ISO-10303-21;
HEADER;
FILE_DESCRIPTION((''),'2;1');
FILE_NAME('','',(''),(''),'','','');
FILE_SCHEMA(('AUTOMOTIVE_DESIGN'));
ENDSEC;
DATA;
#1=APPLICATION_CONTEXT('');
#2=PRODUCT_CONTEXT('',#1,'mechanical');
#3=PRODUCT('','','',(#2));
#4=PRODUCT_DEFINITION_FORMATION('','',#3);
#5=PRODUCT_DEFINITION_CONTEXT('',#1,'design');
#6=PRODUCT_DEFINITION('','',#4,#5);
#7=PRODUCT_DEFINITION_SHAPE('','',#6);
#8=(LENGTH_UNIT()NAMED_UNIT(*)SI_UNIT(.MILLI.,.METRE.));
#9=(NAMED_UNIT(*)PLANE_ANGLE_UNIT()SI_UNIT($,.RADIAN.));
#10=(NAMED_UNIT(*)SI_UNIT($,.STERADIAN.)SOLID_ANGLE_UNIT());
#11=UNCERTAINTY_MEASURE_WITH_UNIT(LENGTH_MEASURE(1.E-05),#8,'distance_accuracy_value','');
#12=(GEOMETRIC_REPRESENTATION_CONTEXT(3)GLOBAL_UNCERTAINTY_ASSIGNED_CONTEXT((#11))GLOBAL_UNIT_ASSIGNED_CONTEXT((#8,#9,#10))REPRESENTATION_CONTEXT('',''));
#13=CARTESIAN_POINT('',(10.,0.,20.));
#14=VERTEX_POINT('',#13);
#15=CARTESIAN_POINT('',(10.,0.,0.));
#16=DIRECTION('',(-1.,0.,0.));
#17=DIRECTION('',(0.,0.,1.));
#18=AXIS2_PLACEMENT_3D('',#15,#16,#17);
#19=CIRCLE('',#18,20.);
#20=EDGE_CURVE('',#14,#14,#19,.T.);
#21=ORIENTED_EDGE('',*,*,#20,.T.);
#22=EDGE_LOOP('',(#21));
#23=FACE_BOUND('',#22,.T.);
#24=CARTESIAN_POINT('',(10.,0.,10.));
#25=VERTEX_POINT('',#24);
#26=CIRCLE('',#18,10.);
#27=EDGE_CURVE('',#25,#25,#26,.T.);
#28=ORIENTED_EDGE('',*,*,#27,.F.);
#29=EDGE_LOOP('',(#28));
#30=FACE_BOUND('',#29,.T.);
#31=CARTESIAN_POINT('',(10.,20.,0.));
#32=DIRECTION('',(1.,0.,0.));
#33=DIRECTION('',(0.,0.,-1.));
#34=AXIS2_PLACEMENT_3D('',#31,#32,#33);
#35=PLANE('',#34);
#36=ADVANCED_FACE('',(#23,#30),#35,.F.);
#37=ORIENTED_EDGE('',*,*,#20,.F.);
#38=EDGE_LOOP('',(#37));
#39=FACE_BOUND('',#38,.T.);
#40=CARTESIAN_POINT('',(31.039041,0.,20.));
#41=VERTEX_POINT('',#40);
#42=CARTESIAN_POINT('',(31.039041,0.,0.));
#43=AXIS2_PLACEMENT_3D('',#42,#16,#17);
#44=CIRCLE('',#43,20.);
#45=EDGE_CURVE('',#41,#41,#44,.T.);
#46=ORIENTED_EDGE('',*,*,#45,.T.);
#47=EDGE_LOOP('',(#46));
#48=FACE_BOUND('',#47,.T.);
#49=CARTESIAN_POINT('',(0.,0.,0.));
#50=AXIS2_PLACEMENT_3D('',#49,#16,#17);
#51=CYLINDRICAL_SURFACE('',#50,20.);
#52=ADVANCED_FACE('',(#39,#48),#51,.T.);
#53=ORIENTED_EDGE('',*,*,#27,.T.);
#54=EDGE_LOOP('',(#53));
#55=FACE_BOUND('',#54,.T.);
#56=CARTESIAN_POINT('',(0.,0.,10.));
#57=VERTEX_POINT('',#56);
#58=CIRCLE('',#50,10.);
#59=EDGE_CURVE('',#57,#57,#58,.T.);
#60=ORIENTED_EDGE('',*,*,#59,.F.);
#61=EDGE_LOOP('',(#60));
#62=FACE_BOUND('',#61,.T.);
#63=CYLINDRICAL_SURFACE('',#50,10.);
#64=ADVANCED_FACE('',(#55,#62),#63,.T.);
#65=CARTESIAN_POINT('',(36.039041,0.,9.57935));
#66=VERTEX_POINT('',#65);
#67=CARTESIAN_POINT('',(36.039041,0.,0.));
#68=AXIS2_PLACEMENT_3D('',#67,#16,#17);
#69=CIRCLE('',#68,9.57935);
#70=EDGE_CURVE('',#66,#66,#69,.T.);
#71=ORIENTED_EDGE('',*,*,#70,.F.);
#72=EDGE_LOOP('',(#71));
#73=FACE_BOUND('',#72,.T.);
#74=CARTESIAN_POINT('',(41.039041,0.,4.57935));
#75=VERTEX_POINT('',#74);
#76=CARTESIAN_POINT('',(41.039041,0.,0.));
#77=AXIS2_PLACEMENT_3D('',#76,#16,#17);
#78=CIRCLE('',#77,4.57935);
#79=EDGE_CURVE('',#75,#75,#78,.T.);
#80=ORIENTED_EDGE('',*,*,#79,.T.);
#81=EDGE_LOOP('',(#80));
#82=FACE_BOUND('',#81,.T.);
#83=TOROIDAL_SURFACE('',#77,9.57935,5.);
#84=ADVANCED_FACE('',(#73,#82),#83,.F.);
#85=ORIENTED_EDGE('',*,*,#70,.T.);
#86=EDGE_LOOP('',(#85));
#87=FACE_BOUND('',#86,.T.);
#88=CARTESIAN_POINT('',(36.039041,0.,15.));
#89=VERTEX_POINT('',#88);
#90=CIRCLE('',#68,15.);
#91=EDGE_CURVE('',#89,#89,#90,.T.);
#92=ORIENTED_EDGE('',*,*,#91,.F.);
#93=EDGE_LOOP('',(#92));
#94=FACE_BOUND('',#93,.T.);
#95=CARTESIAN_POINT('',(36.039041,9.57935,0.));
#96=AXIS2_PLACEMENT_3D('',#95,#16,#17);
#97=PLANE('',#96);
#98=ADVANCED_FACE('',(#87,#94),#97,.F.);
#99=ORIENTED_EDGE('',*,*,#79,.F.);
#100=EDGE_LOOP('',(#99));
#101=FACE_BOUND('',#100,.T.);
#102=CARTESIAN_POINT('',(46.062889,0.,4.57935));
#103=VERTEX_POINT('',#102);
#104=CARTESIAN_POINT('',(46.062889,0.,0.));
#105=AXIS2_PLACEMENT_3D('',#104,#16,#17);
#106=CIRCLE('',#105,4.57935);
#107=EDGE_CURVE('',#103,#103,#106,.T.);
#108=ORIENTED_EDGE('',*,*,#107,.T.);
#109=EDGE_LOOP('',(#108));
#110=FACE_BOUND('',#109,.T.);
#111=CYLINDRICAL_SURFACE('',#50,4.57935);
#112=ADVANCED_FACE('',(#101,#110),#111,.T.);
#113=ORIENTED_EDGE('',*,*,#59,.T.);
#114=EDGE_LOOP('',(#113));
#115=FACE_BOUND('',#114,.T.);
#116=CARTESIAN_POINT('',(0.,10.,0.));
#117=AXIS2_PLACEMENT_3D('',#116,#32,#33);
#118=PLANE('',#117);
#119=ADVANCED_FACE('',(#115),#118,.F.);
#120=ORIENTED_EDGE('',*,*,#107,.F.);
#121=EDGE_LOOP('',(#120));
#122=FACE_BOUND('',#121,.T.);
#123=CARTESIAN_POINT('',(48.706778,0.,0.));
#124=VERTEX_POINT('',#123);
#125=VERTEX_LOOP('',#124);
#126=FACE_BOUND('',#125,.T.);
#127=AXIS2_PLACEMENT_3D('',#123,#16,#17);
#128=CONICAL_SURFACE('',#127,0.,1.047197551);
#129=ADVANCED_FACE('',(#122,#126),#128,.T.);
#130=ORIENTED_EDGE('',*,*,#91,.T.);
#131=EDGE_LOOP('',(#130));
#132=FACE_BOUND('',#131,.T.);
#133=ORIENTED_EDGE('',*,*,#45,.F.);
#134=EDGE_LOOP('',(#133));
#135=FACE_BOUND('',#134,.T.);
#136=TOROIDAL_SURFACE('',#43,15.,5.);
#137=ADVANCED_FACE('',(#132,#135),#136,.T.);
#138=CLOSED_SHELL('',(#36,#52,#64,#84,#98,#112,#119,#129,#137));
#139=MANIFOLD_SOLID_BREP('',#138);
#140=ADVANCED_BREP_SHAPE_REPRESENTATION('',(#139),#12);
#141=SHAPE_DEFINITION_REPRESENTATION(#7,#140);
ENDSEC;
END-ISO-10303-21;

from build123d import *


with BuildPart() as part:
    # Esquisse1 → Révolution1 (revolve)
    with BuildSketch(Plane.XY, mode=Mode.PRIVATE) as r_volution1_sk:
        with BuildLine():
            Line((0, 0), (48.706777749, 0))
            Line((48.706777749, 0), (46.062888871, 4.579349866))
            Line((46.062888871, 4.579349866), (41.039040874, 4.579349866))
            ThreePointArc((41.039040874, 4.579349866), (37.503506968, 6.04381596), (36.039040874, 9.579349866))
            Line((36.039040874, 9.579349866), (36.039040874, 15))
            ThreePointArc((36.039040874, 15), (34.57457478, 18.535533906), (31.039040874, 20))
            Line((31.039040874, 20), (10, 20))
            Line((10, 20), (10, 10))
            Line((10, 10), (0, 10))
            Line((0, 10), (0, 0))
        make_face()
    revolve(r_volution1_sk.sketch.rotate(Axis((0, 0, 0), (1, 0, 0)), 90), axis=Axis((0, 0, 0), (1, 0, 0)))


solid = part.part
